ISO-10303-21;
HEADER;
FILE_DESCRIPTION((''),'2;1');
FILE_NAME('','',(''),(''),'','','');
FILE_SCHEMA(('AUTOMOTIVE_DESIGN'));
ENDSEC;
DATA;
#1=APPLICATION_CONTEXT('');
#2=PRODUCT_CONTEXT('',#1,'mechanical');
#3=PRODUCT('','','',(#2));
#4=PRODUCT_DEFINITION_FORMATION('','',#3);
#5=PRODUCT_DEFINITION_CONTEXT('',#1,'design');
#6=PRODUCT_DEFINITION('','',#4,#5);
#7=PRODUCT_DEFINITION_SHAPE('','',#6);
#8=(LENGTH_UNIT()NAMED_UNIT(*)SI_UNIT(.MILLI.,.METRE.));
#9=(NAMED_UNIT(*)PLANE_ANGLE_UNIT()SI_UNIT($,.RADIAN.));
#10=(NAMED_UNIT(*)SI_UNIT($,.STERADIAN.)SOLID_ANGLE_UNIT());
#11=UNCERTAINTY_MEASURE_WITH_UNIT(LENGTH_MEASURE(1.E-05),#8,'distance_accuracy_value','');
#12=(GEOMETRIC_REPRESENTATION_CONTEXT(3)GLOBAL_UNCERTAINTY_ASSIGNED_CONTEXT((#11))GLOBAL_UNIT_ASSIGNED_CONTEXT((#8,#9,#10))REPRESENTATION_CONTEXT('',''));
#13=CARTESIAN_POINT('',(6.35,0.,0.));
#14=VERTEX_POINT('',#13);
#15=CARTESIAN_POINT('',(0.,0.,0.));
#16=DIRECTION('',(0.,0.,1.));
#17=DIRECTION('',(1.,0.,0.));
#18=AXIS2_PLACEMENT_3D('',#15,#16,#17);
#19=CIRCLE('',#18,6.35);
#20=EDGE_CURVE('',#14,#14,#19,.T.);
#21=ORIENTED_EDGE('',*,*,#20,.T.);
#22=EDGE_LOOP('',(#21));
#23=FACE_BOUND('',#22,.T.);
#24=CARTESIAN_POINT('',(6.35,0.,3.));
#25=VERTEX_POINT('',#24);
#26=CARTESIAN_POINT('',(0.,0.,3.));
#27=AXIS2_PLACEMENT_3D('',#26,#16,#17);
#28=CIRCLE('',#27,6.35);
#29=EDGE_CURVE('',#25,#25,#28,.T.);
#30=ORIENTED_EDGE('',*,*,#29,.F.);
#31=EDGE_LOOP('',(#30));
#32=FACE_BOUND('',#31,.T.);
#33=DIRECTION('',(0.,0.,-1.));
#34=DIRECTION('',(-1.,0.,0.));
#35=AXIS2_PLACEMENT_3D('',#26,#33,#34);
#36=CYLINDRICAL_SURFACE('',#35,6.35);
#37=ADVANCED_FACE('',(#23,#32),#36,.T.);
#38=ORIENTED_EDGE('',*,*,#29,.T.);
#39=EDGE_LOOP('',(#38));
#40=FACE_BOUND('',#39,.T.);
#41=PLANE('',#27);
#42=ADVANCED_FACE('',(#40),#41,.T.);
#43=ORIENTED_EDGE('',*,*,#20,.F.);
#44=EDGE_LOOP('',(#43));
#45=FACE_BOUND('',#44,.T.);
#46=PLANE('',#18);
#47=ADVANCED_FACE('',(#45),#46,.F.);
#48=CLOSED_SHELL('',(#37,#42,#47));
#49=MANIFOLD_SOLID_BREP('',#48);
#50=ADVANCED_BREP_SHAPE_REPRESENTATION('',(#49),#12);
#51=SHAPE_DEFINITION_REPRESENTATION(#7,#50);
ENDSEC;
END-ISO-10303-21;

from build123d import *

# Parameters (mm, degrees)
SKETCH_1_R      = 6.35
EXTRUDE_1_DEPTH = 3


with BuildPart() as part:
    # 草图1 → 凸台-拉伸1 (new body)
    with BuildSketch(Plane.XY):
        Circle(SKETCH_1_R)
    extrude(amount=EXTRUDE_1_DEPTH)


solid = part.part
